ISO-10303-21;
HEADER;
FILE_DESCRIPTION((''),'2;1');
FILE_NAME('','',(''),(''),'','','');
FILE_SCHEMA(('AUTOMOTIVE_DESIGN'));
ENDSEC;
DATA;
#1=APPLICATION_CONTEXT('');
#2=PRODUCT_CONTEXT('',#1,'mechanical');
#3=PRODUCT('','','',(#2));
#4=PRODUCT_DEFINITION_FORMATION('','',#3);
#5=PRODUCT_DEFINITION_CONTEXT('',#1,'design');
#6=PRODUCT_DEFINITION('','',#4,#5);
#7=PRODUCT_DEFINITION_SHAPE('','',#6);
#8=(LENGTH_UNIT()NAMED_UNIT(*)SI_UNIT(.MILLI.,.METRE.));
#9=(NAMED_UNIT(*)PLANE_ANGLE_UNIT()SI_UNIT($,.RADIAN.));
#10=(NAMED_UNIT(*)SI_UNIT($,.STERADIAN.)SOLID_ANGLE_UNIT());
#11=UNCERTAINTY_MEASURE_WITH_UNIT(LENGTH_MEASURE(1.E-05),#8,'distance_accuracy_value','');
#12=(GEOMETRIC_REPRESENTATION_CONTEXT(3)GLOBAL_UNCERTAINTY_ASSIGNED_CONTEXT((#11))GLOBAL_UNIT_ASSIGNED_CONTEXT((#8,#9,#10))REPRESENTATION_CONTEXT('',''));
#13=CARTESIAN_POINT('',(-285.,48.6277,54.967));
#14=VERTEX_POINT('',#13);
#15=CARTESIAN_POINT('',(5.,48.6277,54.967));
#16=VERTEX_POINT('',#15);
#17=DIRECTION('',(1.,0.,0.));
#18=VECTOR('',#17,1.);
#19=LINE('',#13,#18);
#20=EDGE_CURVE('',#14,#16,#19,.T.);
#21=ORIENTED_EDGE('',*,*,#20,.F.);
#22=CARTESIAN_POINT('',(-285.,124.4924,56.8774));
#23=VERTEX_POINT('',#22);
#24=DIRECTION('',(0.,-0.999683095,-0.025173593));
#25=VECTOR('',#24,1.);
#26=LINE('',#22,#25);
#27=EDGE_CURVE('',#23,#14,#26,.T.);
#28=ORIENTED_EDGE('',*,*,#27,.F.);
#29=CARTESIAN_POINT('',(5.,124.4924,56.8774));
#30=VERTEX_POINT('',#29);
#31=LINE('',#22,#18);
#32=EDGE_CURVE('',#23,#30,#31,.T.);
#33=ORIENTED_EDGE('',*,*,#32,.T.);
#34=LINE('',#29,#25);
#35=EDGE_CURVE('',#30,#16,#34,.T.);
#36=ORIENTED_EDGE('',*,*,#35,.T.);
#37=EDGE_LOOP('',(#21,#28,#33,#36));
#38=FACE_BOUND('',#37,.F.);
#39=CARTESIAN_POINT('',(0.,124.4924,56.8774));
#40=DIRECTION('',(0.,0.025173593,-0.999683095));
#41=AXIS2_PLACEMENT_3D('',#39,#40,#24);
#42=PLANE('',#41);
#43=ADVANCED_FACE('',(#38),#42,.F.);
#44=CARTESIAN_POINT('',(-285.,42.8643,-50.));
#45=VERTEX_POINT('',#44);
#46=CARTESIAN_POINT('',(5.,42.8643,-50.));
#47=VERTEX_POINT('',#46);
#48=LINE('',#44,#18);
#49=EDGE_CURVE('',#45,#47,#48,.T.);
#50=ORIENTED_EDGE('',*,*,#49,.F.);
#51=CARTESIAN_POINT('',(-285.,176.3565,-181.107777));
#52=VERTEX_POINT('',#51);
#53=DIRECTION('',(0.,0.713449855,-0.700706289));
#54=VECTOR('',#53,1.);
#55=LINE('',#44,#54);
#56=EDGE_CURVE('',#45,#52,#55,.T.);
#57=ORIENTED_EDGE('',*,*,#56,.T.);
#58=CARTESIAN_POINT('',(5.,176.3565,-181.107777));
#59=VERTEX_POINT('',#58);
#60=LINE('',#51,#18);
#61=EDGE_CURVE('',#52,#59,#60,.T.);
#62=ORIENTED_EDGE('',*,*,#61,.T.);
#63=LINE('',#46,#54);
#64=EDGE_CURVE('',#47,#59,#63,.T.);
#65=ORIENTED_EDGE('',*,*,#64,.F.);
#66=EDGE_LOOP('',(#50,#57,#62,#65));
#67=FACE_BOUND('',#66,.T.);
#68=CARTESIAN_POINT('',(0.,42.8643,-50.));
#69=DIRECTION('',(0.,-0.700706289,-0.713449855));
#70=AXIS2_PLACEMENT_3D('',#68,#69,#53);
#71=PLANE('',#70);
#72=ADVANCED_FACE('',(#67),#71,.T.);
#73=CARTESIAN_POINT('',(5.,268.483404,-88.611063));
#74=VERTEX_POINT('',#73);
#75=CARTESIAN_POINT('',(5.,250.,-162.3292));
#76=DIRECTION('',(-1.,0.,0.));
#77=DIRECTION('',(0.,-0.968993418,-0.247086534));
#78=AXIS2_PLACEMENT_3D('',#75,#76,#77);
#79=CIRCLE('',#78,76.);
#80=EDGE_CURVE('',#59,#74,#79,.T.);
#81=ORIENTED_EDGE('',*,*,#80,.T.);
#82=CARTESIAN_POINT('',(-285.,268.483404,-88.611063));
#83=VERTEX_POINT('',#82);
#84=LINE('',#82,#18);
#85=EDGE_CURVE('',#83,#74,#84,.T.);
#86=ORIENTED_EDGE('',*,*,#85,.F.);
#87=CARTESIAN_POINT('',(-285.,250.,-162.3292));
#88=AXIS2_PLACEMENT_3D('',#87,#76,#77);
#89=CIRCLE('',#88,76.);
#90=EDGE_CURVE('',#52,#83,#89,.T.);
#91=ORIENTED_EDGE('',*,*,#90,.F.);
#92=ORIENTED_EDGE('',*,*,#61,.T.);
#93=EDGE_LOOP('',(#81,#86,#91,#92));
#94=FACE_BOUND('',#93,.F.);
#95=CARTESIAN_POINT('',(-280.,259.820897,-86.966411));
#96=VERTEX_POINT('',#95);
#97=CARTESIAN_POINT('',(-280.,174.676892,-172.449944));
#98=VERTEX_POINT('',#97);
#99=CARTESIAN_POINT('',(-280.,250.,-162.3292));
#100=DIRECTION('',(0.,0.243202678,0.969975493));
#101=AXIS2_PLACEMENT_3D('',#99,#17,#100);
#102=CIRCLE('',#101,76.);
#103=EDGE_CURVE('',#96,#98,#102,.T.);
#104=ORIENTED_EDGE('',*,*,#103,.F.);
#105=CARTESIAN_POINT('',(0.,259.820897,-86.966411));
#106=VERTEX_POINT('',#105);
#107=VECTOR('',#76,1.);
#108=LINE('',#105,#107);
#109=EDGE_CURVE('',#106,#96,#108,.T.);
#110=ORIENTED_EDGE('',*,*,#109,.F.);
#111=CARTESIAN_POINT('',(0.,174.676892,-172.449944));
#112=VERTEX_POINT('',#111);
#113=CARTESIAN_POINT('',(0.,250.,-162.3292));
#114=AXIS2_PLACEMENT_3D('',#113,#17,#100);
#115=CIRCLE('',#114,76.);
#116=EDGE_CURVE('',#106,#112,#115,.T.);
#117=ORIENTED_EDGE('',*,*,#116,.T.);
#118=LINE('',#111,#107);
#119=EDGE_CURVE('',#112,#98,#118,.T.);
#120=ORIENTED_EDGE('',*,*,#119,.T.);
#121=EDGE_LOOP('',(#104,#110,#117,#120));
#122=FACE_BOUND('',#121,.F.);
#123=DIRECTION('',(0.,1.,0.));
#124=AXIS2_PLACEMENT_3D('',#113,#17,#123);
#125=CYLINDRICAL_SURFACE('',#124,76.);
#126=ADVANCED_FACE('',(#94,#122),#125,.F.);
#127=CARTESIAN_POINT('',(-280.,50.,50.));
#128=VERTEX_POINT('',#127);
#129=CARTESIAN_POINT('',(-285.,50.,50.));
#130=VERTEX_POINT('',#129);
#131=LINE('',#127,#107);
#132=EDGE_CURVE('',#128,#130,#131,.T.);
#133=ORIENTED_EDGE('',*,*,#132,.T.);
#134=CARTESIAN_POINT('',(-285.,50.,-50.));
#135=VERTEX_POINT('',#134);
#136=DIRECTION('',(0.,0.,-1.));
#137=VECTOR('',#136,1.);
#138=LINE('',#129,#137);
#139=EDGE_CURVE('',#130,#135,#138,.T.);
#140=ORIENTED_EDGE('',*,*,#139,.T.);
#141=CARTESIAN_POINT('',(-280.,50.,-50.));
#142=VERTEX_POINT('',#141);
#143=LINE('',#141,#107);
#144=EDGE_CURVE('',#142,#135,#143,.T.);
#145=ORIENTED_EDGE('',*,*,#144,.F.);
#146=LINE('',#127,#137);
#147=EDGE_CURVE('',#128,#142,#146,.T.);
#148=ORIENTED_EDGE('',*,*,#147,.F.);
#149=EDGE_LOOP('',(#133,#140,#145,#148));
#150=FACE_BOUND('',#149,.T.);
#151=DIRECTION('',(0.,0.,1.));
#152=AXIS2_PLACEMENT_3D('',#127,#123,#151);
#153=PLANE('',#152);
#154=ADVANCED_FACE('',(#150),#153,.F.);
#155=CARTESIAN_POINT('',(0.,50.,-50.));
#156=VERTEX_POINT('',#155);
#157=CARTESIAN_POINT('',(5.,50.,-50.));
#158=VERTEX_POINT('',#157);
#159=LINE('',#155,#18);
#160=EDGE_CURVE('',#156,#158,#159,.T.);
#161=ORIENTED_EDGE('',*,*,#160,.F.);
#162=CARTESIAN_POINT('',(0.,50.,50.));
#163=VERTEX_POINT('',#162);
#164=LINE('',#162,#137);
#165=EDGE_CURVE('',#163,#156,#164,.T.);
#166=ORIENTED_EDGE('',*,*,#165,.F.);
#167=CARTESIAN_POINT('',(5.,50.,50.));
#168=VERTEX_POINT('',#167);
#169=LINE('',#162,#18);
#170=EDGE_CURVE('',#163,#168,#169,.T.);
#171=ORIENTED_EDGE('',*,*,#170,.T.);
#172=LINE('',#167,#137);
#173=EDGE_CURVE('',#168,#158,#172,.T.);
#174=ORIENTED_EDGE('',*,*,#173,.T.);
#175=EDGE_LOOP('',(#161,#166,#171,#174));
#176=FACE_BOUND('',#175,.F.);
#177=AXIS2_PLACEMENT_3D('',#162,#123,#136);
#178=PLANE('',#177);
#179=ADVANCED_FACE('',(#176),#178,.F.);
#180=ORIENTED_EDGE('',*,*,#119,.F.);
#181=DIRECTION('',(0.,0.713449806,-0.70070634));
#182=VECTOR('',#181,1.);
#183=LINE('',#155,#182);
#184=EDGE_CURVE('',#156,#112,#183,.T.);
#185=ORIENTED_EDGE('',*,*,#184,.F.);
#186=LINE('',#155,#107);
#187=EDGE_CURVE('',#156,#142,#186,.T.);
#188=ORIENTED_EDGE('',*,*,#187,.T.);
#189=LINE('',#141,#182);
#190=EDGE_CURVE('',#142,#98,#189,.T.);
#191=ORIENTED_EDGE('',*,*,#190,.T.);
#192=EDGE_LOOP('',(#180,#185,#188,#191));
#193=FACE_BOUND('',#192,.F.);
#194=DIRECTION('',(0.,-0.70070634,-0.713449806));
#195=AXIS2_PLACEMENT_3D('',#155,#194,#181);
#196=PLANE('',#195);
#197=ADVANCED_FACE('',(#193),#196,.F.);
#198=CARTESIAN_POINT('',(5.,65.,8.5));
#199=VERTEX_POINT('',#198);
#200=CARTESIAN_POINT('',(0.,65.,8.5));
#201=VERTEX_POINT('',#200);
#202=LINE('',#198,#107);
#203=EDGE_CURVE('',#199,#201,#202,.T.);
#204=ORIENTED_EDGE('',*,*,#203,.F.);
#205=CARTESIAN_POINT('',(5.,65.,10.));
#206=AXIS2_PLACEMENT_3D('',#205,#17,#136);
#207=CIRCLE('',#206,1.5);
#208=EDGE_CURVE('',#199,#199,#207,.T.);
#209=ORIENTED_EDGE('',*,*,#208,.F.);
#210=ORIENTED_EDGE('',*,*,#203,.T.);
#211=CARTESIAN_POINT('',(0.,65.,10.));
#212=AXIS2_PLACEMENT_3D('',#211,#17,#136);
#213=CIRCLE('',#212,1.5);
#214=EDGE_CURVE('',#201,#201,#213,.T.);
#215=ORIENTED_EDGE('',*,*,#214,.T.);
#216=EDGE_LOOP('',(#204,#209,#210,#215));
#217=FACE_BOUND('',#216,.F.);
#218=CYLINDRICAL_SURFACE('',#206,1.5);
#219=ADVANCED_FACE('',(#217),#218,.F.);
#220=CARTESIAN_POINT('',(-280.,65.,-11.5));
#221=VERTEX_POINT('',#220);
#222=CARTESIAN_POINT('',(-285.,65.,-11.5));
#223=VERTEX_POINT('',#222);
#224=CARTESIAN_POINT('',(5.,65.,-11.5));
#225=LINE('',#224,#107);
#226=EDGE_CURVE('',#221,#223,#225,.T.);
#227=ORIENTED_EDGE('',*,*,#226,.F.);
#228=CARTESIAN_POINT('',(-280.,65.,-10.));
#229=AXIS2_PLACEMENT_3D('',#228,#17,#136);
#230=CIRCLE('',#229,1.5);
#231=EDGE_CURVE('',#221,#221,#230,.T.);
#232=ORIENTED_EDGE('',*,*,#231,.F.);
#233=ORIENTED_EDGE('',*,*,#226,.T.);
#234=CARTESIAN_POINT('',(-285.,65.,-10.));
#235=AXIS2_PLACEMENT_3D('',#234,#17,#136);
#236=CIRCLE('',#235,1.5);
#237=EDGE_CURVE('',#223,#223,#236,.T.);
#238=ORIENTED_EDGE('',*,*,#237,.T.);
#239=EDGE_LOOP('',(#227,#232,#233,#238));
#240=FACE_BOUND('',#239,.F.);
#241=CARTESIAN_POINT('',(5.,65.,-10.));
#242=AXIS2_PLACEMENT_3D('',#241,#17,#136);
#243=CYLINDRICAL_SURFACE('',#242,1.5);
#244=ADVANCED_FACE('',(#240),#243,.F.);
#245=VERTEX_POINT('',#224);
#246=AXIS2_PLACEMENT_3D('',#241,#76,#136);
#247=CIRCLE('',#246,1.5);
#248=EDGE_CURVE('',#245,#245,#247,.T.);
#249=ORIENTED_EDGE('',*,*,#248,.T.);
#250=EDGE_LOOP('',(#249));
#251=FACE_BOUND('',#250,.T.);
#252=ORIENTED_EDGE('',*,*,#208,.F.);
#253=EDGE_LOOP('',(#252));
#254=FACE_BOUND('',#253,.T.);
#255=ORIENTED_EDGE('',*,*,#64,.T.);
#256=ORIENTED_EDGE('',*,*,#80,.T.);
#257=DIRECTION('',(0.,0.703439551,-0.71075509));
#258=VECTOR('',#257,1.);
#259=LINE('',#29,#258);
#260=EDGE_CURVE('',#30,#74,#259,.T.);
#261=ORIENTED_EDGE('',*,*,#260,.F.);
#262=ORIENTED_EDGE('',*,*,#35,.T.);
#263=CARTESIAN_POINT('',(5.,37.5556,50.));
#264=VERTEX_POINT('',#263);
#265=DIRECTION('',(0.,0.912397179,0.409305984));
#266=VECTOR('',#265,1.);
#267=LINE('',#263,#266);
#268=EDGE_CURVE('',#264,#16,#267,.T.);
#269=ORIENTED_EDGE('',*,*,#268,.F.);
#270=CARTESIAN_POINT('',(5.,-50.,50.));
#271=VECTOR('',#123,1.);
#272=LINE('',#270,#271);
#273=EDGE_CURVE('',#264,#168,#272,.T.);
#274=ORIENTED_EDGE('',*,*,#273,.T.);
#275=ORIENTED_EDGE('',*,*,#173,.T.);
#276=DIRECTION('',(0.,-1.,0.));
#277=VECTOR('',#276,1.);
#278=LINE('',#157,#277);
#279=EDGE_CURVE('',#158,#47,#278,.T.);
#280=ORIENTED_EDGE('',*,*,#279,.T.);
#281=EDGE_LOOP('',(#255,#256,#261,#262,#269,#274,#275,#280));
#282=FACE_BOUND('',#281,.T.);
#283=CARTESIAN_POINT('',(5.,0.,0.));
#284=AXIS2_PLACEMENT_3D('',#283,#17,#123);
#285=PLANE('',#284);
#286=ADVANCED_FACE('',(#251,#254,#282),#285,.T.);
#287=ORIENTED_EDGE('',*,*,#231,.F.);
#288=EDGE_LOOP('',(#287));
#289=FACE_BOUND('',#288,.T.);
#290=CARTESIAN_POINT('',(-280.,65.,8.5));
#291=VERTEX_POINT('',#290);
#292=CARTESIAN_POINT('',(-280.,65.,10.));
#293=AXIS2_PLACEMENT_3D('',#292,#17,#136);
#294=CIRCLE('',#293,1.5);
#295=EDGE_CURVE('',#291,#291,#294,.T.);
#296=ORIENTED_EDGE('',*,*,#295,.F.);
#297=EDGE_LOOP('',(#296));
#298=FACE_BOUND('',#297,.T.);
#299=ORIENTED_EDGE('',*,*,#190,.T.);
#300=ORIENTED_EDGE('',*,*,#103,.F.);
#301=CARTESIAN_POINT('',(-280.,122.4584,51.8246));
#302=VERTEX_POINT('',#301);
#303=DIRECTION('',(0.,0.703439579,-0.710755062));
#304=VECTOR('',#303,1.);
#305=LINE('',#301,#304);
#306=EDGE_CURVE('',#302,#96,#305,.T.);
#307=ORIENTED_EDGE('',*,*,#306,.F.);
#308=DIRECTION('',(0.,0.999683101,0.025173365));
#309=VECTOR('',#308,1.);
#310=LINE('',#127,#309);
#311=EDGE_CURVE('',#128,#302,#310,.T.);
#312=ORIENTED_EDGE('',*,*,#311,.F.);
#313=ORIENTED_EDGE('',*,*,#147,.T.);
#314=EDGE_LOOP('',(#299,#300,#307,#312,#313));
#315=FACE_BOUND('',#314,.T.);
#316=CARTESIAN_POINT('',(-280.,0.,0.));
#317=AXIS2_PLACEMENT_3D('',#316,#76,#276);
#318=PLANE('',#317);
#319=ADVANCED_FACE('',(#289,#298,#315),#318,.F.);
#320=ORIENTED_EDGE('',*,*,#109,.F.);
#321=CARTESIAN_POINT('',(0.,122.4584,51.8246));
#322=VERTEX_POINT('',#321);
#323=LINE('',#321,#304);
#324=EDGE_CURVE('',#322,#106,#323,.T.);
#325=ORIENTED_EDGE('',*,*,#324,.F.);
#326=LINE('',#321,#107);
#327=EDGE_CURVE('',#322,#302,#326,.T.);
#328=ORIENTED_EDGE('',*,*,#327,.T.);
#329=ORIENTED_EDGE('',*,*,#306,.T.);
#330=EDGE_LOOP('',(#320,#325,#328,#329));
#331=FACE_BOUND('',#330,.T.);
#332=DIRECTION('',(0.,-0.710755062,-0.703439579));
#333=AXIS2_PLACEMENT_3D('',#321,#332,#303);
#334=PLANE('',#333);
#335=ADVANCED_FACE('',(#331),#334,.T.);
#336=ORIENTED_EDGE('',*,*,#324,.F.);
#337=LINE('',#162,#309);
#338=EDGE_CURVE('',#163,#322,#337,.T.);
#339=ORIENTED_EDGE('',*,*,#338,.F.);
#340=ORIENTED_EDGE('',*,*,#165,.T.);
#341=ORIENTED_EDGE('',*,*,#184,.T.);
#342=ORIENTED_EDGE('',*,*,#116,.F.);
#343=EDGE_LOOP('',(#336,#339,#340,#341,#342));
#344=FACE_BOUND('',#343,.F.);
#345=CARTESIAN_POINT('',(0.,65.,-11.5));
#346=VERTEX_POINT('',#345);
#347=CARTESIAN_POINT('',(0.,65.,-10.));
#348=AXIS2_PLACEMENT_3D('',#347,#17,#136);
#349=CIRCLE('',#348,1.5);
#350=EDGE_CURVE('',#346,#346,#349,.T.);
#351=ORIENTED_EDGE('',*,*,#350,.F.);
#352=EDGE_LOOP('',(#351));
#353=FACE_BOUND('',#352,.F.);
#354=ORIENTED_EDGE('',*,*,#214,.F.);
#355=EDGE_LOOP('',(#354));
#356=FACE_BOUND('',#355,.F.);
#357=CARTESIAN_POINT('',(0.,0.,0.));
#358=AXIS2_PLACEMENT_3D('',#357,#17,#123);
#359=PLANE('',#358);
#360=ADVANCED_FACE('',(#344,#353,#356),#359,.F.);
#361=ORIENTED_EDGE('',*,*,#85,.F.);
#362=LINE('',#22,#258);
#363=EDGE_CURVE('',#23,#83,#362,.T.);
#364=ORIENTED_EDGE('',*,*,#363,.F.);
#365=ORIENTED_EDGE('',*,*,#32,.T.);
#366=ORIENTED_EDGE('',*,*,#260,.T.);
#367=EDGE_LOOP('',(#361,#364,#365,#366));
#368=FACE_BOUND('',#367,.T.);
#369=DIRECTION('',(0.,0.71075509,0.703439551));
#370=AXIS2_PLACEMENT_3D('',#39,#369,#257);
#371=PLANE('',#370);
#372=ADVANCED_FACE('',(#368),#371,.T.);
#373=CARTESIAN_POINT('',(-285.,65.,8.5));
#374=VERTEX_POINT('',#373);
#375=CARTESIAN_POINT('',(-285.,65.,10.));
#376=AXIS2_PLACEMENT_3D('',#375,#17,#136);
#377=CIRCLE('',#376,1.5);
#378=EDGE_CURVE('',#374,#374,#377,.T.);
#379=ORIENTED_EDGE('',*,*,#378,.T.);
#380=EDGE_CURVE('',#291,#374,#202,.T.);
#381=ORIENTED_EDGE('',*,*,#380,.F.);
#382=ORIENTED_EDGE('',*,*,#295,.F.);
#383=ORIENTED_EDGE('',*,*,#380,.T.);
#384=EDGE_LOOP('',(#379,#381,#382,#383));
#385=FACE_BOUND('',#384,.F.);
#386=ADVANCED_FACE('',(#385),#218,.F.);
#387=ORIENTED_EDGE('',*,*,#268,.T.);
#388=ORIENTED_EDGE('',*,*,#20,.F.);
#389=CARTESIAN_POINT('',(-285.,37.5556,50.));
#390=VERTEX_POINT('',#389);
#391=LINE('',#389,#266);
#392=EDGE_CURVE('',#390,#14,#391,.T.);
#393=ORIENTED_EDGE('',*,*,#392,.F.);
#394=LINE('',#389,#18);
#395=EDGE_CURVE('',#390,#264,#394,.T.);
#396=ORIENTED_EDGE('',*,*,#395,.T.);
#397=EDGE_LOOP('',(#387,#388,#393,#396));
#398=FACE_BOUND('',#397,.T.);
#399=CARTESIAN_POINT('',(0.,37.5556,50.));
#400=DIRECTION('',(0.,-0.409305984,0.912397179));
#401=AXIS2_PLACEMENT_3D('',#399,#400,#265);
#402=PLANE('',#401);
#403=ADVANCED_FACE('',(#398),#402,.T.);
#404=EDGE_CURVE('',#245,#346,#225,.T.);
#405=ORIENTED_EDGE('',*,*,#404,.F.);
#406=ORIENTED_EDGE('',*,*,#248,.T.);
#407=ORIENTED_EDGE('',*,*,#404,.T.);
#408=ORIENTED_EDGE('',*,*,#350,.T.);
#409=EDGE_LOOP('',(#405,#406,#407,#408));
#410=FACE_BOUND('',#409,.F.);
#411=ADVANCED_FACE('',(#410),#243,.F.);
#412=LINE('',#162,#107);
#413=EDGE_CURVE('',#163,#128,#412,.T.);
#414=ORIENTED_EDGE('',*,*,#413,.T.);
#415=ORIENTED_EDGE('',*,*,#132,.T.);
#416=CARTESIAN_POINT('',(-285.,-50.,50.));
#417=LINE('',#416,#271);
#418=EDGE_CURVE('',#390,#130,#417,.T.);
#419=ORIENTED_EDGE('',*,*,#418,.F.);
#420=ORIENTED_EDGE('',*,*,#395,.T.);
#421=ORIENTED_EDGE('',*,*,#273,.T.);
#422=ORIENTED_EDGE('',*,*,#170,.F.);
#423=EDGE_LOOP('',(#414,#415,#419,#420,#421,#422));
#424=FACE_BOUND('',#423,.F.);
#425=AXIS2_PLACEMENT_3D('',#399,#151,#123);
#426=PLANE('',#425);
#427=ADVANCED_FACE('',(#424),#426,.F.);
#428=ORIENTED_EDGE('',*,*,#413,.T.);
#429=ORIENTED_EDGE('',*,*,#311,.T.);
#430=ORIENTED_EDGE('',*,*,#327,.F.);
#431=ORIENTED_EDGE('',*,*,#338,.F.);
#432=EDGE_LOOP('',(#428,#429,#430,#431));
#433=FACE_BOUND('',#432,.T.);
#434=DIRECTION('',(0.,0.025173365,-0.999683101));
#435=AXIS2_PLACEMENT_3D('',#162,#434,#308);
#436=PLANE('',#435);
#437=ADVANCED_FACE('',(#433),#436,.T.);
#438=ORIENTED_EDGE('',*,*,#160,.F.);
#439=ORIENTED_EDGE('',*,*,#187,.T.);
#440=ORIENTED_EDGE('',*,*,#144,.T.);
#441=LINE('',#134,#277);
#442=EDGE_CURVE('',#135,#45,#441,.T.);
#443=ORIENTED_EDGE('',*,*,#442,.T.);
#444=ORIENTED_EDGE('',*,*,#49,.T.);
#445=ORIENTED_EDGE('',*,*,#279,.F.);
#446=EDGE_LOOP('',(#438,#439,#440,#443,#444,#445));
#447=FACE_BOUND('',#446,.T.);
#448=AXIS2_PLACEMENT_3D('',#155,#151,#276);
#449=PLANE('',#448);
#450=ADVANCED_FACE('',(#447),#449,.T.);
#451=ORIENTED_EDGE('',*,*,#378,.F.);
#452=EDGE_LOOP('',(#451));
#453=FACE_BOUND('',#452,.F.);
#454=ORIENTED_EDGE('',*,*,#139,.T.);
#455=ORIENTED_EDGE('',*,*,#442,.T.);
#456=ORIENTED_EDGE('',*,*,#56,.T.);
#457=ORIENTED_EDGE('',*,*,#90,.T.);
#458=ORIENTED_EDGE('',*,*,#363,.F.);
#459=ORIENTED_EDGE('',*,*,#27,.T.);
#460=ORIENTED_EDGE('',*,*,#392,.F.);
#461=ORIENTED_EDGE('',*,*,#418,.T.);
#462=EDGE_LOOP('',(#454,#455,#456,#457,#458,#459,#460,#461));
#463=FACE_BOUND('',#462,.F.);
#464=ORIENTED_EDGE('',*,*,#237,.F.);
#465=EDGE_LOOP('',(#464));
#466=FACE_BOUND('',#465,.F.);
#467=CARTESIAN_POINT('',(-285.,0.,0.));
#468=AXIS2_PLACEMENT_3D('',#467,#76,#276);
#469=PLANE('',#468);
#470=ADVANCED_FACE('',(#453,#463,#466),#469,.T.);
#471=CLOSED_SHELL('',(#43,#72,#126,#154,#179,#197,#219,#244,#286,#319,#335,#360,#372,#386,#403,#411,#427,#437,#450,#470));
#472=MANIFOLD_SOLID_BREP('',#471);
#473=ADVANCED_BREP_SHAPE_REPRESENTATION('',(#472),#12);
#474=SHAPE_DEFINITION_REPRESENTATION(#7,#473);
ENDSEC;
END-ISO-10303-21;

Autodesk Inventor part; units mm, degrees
ref_plane "YZ Plane" through (0, 0, 0) normal (1, 0, 0) x (0, 1, 0)
ref_plane "XZ Plane" through (0, 0, 0) normal (0, 1, 0) x (-1, 0, 0)
ref_plane "XY Plane" through (0, 0, 0) normal (0, 0, 1) x (1, 0, 0)
sketch "Sketch1" plane through (0, 0, 0) normal (1, 0, 0) x (0, 1, 0)
  line L0 (42.8643, -50) -> (204.4541, -208.7035)
  line L1 (0, 0) -> (0, -50)
  line L2 (124.4924, 56.8774) -> (295.5459, -115.955)
  line L3 (122.4584, 51.8246) -> (292.042, -119.5226)
  line L4 (50, -50) -> (207.9576, -205.1362)
  line L5 (295.5459, -115.955) -> (204.4541, -208.7035)
  circle A0 centre (250, -162.3292) radius 10
  circle A1 centre (250, -162.3292) radius 76
  line L6 (124.4924, 56.8774) -> (-148.62, 50)
  line L7 (50, 50) -> (122.4584, 51.8246)
  line L8 (0, 0) -> (0, -77.5)
  line L9 (-50, 50) -> (50, 50)
  line L10 (50, 50) -> (50, -50)
  line L11 (50, -50) -> (-50, -50)
  line L12 (-50, -50) -> (-50, 50)
  line L13 (-50, 50) -> (50, -50) construction
  line L14 (50, 50) -> (-50, -50) construction
  line L15 (37.5556, 50) -> (48.6277, 54.967)
  point P0 (22.0043, 0)
  point P1 (259.821, -86.9665)
  point P2 (268.4835, -88.6111)
  point P3 (176.3565, -181.1077)
  point P4 (174.6769, -172.4499)
  point P5 (242.9929, -169.4637)
  point P6 (257.0071, -155.1947)
  dimension "d6" = 5
  dimension "d7" = 5
  dimension "d8" = 90
  dimension "d9" = 130
  dimension "d11" = 50
  dimension "d14" = 20
  dimension "d16" = 152
  dimension "d17" = 250
  dimension "d18" = 5
  dimension "d24" = 77.5
  dimension "d26" = 264
  dimension "d29" = 100
  dimension "d30" = 100
extrude "Extrusion1" add sketch "Sketch1" against normal blind 280 contours L11 L4 A1 L0 | L9 L15 L6 L2 A1 L3 L7
extrude "Extrusion2" add sketch "Sketch1" along normal blind 5 contours L11 L4 A1 L0 | L10 L7 L3 A1 L4 | L9 L15 L6 L2 A1 L3 L7
ref_plane "Work Plane1" through (-140, 0, 0) normal (-1, 0, 0) x (0, 0, 1)
mirror "Mirror1" about plane through (-140, 0, 0) normal (-1, 0, 0) of "Extrusion2"
sketch "Sketch4" plane through (5, 0, 0) normal (1, 0, 0) x (0, 0, -1)
  arc A0 (88.6111, 268.4835) -> (181.1077, 176.3565) centre (162.3292, 250) ccw projected
  line L0 (88.6111, 268.4835) -> (-56.8774, 124.4924) projected
  line L1 (-56.8774, 124.4924) -> (-54.967, 48.6277) projected
  line L2 (-54.967, 48.6277) -> (-50, 37.5556) projected
  line L3 (-50, 37.5556) -> (-50, 50) projected
  line L4 (-50, 50) -> (50, 50) projected
  line L5 (50, 50) -> (50, 42.8643) projected
  line L6 (50, 42.8643) -> (181.1077, 176.3565) projected
  circle A1 centre (-10, 65) radius 1.5
  circle A2 centre (10, 65) radius 1.5
  line L7 (-10, 65) -> (10, 65)
  point P0 (0, 0)
  point P1 (0, 65)
  point P2 (0, 50)
  dimension "d31" = 15
  dimension "d32" = 3
  dimension "d33" = 3
  dimension "d34" = 20
extrude "Extrusion5" cut sketch "Sketch4" against normal through all contours A1 | A2
properties part number "CANALETA_GUIA" material "Steel, Mild, Welded"
